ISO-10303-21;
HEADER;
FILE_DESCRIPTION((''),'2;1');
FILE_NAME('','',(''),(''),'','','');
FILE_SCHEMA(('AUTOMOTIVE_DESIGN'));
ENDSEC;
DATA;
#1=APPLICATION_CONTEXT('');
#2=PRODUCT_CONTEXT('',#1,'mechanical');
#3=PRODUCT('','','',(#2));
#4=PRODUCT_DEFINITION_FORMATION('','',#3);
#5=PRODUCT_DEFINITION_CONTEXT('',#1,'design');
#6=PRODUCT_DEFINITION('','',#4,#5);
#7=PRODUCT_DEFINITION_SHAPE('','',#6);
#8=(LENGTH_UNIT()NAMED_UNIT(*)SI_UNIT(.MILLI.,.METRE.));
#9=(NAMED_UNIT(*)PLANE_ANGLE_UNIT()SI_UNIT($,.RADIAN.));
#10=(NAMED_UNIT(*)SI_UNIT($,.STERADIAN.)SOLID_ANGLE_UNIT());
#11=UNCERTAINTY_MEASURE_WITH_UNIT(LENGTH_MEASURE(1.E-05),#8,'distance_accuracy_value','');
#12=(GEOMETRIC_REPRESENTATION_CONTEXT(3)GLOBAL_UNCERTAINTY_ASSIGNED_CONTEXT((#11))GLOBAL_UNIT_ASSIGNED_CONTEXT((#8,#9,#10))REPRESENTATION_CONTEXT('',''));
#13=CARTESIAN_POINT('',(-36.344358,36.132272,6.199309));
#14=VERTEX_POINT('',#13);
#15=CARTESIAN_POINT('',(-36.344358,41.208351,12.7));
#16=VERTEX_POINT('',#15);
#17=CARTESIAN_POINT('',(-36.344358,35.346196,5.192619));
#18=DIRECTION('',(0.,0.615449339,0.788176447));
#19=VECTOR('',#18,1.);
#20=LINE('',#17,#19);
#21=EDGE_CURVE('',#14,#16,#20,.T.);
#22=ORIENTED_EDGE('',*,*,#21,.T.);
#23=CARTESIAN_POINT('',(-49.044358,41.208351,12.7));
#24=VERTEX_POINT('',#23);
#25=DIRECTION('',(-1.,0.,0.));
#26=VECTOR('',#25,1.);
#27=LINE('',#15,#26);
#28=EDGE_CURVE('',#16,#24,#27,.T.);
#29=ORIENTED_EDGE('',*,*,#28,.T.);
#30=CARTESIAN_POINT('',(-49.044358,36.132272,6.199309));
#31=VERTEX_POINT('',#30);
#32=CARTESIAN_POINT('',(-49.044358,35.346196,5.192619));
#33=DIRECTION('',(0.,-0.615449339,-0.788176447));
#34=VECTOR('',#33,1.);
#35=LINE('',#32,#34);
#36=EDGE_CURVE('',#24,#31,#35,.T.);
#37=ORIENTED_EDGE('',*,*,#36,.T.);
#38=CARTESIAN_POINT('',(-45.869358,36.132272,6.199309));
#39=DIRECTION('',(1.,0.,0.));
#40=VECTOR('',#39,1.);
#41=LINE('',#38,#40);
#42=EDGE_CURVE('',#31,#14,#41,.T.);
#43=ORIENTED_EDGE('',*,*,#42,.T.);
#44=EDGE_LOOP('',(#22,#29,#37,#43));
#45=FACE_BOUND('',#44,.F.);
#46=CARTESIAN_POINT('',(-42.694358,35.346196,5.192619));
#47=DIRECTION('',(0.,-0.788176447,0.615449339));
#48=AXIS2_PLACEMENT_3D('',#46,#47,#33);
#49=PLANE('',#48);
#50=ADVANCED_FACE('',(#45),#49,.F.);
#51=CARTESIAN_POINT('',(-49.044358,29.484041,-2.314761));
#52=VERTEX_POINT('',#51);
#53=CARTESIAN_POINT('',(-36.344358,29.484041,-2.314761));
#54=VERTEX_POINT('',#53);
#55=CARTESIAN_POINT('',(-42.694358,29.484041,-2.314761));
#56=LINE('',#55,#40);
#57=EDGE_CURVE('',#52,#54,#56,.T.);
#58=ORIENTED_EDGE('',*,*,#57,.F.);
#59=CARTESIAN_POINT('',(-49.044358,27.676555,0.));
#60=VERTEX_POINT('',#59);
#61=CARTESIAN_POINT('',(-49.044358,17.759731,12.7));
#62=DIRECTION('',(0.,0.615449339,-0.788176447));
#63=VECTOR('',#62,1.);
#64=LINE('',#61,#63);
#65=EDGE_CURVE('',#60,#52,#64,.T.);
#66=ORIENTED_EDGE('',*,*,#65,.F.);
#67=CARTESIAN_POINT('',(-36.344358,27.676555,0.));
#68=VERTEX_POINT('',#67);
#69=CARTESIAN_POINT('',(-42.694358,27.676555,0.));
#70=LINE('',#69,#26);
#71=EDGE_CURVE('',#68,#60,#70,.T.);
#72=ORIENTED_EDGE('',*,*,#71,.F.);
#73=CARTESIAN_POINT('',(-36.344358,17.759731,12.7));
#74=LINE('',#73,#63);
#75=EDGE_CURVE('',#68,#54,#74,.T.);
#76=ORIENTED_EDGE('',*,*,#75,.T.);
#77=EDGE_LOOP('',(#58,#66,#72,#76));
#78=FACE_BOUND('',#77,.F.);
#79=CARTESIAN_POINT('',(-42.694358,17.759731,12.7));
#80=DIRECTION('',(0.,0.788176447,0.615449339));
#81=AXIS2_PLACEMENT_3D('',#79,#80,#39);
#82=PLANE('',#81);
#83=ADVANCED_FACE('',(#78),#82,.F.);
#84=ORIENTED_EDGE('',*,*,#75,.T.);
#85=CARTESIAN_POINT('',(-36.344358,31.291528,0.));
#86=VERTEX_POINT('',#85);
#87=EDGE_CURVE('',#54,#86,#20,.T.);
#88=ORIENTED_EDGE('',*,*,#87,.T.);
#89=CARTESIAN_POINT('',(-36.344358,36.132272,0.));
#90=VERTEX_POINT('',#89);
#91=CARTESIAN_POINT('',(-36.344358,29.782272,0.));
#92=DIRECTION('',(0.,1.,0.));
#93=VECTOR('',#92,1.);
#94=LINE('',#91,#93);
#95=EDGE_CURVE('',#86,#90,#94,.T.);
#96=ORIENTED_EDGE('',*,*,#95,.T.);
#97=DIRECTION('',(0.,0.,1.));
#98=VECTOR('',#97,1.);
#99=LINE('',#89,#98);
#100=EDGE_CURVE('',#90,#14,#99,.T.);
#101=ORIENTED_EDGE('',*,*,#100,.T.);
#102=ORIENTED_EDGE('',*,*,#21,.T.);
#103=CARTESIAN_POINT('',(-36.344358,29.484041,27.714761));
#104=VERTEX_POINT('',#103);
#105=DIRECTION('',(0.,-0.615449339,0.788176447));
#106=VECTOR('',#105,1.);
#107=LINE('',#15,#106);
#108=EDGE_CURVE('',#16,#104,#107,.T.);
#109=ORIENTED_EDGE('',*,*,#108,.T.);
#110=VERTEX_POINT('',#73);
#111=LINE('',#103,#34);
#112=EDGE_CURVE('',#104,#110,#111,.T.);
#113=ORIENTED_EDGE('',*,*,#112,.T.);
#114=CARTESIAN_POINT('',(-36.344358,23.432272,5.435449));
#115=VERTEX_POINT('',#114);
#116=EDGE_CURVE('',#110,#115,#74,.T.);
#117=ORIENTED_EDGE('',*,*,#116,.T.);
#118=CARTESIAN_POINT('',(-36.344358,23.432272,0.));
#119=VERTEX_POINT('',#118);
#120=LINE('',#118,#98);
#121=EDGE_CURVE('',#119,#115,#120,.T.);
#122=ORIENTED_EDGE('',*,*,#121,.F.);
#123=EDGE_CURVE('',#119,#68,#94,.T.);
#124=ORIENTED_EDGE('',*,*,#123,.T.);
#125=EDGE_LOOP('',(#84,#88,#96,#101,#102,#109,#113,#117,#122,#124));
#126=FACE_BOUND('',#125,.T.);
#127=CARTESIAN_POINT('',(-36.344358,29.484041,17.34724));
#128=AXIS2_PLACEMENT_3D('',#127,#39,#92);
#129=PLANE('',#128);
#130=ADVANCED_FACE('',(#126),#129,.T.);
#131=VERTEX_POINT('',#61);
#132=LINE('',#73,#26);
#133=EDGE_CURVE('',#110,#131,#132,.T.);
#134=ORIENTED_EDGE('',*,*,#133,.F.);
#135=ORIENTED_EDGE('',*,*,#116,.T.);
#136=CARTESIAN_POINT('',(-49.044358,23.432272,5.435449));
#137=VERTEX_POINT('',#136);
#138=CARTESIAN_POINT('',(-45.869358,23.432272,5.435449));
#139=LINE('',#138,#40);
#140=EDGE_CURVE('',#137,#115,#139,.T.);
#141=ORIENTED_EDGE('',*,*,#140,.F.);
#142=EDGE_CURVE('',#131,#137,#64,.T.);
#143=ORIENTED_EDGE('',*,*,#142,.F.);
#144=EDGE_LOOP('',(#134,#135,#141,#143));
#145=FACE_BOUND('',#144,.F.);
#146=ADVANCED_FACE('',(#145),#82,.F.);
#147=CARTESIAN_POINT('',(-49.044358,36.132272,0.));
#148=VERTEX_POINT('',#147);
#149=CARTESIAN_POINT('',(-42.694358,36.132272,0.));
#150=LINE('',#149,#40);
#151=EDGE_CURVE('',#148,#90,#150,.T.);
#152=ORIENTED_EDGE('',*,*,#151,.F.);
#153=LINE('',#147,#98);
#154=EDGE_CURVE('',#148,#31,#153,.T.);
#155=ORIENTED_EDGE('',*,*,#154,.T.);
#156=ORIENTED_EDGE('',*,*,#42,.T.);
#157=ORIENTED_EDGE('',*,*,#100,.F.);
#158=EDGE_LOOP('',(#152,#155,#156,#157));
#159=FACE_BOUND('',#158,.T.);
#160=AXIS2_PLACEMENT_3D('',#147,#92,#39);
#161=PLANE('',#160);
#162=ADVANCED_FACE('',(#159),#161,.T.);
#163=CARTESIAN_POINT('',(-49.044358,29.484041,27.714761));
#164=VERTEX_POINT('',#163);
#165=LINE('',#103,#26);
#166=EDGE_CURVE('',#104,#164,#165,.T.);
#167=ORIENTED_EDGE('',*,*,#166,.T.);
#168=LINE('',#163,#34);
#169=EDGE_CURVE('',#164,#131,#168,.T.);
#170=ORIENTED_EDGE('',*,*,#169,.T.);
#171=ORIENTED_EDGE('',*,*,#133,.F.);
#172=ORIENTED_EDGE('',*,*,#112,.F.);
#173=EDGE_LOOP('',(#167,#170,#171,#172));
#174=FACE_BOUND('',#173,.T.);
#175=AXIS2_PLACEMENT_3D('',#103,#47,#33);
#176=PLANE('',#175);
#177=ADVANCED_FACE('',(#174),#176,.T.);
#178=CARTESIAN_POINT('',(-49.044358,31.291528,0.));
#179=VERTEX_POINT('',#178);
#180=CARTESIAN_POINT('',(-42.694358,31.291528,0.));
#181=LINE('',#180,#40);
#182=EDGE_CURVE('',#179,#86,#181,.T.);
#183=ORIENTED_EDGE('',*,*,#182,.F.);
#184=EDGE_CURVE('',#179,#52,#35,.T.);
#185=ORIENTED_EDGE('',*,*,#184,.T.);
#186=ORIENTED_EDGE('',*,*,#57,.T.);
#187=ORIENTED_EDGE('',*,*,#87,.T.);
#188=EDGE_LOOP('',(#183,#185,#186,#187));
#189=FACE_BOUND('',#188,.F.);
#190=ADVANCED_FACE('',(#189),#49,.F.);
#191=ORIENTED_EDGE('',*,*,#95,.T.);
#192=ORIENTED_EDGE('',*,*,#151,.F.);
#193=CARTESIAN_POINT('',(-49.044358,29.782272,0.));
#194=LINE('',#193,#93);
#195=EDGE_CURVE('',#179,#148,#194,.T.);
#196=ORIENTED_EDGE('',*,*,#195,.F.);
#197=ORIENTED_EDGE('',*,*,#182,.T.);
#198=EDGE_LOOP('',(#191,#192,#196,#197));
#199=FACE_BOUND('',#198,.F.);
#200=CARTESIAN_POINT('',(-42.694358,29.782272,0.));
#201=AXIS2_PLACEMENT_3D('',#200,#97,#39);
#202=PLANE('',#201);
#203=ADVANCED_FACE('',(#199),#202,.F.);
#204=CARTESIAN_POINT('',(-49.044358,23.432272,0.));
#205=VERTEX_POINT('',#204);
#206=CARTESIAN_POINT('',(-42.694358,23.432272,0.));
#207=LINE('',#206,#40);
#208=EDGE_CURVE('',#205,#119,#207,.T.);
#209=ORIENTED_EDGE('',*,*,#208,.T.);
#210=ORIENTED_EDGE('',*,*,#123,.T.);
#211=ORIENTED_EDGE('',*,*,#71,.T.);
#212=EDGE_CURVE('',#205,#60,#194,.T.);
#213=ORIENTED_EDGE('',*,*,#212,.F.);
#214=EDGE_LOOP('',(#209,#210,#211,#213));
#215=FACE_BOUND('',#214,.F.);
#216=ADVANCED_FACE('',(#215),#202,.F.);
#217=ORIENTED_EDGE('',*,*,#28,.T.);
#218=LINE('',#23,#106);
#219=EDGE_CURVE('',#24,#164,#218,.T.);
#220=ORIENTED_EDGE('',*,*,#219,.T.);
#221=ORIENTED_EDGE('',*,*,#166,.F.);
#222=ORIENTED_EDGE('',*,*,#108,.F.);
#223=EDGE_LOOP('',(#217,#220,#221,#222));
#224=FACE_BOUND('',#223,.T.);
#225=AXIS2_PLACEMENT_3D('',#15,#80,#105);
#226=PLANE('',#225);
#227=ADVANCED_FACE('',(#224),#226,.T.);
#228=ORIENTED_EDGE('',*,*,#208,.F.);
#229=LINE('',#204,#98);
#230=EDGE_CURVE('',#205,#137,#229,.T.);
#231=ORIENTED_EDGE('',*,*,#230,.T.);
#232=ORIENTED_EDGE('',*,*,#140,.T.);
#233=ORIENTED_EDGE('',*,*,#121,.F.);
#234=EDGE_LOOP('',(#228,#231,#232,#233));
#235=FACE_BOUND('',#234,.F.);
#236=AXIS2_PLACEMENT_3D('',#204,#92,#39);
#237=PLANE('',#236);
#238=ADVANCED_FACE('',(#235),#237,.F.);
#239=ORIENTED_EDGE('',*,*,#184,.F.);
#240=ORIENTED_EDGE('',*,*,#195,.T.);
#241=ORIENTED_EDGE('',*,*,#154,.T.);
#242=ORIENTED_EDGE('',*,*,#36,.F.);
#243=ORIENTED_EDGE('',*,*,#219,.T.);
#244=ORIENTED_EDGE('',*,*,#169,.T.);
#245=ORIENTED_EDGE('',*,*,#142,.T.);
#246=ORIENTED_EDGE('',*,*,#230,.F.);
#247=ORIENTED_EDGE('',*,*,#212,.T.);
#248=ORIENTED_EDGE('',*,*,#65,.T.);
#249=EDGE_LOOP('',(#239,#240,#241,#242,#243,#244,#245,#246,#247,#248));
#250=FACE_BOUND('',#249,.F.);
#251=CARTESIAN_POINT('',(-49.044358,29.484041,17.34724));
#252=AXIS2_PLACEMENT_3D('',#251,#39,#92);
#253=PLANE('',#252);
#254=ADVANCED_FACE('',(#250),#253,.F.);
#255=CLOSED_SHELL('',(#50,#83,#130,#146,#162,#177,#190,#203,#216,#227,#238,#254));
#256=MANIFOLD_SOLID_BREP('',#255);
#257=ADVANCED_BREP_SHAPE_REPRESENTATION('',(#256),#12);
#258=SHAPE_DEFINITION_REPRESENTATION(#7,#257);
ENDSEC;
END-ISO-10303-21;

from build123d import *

# Parameters (mm, degrees)
F0_W      = 12.7
F0_H      = 12.7
F1_DEPTH  = 12.7
F3_DEPTH  = 12.7
F3_FACE_W = 12.7
F3_FACE_H = 19.05


with BuildPart() as f1:
    # F0 (on Top) → F1 (new body)
    with BuildSketch(Plane.XY):
        with Locations((-42.6943581551, 29.7822718922)):
            Rectangle(F0_W, F0_H)
    extrude(amount=F1_DEPTH)

    # F2 (on face) → F3 (join)
    with BuildSketch(Plane.YZ.offset(-36.3443581551)):
        Polygon((17.7597312508, 12.7), (23.4322718922, 12.7), (36.1322718922, 12.7), (41.2083510732, 12.7), (29.484041162, 27.714761307), align=None)
    extrude(amount=-F3_DEPTH)

    # F4: sweep along a path in F4_path
    with BuildLine(Plane(origin=(-49.0443581551, 29.484041162, 27.714761307), x_dir=(0, -0.6154493392, 0.7881764466), z_dir=(0, -0.7881764466, -0.6154493392))) as f4_path:
        Line((0, 0), (-19.05, 0))
    # F3_face (on face) → F4 (sweep)
    with BuildSketch(Plane(origin=(-42.6943581551, 23.6218862064, 20.2073806535), x_dir=(1, 0, 0), z_dir=(0, -0.7881764466, 0.6154493392))):
        Rectangle(F3_FACE_W, F3_FACE_H)
    sweep(path=f4_path.line)


solid = f1.part
